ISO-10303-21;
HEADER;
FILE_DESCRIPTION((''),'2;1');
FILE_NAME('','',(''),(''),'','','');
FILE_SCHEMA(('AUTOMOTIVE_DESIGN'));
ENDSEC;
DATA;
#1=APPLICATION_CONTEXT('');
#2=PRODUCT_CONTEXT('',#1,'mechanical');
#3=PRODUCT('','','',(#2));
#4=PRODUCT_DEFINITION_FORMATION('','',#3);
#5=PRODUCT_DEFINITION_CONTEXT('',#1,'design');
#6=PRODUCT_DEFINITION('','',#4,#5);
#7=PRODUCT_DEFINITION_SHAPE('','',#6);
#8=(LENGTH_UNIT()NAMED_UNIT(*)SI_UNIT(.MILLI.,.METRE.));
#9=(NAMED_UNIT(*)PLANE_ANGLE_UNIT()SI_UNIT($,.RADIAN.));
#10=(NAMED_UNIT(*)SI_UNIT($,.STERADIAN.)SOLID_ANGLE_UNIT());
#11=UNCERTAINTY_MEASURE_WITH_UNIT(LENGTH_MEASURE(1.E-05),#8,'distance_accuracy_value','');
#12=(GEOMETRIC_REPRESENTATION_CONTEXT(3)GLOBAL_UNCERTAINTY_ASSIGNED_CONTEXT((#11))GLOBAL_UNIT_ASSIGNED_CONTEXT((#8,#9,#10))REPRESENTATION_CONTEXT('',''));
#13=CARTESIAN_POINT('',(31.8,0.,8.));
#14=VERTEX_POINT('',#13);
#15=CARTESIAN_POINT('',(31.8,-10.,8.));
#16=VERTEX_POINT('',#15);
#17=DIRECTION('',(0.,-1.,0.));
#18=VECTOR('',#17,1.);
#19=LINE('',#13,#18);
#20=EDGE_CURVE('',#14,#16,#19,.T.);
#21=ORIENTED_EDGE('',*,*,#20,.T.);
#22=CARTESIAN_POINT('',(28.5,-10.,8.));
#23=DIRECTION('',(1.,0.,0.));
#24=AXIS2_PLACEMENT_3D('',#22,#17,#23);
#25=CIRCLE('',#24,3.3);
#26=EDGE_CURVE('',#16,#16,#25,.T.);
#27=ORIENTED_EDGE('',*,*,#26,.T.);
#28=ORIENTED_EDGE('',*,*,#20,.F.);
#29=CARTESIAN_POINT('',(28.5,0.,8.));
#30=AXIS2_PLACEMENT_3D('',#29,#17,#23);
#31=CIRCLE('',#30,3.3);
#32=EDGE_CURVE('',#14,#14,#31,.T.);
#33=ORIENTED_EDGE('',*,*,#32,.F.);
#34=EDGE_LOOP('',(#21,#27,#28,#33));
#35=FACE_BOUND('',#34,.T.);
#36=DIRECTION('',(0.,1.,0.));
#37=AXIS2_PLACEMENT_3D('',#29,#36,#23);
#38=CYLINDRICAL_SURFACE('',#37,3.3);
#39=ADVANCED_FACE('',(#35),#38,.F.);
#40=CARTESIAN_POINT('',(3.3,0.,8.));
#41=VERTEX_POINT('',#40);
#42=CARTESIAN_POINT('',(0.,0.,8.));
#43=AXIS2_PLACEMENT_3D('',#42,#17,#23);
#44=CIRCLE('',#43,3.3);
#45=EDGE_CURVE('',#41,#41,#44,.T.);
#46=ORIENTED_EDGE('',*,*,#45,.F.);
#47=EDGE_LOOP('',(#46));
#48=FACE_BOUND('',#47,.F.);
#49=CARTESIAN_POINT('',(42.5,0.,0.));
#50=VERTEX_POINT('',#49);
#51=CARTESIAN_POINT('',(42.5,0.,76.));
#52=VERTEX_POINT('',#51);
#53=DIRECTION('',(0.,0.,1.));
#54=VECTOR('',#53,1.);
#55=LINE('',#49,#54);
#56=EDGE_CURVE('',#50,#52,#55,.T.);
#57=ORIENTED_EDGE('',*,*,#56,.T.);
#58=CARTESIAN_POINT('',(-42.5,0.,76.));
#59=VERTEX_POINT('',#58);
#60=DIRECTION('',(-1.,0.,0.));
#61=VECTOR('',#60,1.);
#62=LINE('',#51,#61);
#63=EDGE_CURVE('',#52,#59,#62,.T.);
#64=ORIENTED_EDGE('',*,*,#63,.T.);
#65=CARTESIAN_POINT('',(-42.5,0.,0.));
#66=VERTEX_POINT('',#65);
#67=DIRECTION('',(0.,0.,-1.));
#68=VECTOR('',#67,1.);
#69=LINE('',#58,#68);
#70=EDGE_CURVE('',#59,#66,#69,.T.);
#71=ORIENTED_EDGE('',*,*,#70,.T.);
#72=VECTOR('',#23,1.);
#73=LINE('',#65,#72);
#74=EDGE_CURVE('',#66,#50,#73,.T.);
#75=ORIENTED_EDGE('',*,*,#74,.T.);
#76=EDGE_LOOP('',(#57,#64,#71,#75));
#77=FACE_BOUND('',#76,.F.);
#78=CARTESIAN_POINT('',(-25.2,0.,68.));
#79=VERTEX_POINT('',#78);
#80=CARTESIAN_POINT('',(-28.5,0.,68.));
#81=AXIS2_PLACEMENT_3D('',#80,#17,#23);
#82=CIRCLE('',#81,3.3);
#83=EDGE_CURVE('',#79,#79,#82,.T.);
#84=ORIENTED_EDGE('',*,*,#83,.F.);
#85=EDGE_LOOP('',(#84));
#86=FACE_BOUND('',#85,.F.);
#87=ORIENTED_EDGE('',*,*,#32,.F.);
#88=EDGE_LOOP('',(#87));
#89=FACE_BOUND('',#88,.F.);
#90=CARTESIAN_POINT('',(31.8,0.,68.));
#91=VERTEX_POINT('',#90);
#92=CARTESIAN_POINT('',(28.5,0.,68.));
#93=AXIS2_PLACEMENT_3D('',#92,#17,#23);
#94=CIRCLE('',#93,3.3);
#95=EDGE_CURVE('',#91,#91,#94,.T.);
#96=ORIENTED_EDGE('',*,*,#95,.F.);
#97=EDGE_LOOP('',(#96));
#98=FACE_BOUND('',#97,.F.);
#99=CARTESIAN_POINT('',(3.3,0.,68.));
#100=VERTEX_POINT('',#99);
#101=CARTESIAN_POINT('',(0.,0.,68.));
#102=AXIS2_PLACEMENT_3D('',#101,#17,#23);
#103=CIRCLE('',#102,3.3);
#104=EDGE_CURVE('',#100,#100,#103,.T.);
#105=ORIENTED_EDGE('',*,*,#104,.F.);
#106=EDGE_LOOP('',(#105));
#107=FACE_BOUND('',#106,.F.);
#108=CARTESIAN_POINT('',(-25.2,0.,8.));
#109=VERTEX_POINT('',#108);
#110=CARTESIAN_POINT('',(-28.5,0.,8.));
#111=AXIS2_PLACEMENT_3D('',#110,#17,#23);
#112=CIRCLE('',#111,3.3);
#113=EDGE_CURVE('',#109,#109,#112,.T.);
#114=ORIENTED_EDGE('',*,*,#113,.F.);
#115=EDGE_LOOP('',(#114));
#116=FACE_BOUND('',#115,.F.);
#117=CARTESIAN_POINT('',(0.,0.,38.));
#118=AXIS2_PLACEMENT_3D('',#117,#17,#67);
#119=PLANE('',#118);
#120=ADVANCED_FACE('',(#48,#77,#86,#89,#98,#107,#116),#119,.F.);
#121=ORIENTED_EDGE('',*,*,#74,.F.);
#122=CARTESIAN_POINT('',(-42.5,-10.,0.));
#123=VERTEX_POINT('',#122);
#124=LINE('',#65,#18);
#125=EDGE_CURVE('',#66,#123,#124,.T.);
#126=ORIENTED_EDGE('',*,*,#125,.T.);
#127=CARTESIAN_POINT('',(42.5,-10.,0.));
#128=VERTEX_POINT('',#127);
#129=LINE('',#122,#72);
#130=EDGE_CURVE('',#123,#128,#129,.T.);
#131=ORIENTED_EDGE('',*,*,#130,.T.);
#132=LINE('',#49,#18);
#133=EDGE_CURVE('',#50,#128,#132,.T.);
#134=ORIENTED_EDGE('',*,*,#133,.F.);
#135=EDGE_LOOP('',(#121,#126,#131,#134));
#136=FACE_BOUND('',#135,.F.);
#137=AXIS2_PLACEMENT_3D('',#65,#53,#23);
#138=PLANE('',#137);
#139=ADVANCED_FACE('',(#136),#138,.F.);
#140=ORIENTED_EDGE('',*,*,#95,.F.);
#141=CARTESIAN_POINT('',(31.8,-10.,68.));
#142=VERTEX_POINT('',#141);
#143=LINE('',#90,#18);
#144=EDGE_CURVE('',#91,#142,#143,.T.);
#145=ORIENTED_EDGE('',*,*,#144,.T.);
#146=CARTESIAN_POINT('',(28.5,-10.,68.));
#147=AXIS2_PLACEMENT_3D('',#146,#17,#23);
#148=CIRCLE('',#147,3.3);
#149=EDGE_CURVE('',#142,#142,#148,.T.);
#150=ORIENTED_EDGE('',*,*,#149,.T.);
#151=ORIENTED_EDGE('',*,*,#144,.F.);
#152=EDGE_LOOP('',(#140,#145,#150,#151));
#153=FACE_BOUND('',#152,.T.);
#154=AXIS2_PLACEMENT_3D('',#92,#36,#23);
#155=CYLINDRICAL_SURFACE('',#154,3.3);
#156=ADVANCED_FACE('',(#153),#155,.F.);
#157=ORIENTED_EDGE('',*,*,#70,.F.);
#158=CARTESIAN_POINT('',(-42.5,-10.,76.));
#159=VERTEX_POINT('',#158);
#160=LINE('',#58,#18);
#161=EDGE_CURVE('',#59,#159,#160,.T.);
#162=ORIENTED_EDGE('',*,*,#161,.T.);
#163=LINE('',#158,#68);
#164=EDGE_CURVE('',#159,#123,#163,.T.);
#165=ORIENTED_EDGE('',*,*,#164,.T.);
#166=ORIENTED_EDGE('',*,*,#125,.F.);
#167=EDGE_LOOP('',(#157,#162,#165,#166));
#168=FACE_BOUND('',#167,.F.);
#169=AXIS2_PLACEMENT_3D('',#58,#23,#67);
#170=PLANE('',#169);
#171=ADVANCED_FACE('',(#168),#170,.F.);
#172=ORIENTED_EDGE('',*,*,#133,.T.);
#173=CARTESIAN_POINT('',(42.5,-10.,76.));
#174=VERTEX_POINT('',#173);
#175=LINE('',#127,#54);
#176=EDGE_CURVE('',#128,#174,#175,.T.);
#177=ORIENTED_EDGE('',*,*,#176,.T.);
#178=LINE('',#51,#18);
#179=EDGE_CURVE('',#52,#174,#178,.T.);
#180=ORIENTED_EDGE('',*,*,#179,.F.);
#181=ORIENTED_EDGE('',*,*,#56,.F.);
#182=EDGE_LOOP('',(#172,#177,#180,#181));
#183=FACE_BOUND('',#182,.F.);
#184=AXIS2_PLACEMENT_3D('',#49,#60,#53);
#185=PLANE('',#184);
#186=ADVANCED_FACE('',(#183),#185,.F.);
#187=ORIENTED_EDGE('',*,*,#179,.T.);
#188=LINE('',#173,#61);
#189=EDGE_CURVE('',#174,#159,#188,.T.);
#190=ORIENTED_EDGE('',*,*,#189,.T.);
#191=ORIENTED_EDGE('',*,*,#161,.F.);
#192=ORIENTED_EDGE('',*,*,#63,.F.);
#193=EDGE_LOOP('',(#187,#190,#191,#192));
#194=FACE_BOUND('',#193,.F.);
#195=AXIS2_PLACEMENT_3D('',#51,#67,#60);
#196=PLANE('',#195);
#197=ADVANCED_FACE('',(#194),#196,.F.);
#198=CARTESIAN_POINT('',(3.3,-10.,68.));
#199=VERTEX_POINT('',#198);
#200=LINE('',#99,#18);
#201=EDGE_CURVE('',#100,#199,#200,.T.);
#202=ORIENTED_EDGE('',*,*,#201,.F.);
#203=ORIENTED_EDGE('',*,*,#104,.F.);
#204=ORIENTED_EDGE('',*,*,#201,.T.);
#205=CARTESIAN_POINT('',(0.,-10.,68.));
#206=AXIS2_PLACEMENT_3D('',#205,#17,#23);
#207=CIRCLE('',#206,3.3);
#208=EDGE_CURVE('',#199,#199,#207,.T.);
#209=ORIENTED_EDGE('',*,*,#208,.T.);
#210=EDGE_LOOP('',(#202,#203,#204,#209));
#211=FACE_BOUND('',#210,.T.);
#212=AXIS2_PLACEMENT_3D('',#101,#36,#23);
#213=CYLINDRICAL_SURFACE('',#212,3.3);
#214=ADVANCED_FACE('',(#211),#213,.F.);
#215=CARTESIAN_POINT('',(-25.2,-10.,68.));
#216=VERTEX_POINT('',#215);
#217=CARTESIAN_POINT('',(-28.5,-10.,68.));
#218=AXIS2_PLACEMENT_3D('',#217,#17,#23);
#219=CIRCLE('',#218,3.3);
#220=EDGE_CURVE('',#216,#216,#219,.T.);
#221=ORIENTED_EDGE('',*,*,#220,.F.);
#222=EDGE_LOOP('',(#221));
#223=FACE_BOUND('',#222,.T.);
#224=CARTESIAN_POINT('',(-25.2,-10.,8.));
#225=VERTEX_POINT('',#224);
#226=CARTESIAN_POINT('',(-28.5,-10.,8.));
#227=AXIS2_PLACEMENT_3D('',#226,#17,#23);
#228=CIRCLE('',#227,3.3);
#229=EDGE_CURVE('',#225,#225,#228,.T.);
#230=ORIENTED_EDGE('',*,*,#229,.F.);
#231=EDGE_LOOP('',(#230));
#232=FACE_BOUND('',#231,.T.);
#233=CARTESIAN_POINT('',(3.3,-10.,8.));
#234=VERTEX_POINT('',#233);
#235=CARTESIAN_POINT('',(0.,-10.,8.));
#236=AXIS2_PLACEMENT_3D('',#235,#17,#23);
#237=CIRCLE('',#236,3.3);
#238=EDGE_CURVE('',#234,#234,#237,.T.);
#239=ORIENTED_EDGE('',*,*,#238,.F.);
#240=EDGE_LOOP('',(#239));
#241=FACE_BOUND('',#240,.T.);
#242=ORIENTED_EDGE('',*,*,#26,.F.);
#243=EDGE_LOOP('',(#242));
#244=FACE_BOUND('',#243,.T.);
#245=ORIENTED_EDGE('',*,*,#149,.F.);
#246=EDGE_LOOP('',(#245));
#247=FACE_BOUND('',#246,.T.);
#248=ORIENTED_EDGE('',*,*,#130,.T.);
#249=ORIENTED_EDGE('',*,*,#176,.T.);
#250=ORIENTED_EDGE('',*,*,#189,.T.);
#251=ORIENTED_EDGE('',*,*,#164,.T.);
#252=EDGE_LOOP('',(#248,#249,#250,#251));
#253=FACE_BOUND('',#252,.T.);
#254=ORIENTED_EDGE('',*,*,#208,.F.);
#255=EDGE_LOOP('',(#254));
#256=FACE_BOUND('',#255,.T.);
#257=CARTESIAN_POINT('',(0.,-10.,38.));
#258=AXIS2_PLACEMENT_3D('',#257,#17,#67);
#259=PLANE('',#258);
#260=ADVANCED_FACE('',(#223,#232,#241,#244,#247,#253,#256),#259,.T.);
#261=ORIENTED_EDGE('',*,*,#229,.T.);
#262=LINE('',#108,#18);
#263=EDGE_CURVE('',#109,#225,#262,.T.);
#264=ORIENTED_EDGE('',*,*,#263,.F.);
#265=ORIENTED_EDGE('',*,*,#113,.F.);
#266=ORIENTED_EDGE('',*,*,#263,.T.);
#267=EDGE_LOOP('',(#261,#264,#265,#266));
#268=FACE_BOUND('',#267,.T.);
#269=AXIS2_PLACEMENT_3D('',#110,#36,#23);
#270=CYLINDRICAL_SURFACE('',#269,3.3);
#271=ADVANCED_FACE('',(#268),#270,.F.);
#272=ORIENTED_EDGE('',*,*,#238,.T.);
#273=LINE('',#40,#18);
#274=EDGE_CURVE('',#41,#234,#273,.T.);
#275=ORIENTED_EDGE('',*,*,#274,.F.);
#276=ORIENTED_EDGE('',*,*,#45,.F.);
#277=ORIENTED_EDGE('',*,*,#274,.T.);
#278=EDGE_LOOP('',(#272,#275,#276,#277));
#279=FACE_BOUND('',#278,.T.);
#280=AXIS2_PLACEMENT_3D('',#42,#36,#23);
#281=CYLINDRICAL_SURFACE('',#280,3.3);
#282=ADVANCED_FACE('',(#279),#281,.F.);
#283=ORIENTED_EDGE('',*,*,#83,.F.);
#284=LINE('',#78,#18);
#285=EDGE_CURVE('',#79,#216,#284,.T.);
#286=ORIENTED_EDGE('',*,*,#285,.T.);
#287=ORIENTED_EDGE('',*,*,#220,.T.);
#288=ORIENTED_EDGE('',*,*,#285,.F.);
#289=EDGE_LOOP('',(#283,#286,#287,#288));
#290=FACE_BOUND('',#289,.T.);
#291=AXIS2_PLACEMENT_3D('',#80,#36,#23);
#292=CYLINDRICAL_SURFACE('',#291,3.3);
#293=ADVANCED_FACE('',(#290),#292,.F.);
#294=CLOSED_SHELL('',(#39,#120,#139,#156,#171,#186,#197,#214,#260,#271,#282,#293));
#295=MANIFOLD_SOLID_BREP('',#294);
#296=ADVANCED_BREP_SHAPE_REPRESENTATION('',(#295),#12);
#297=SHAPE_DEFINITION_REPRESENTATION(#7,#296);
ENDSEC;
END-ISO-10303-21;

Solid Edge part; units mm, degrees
sketch "Sketch1" plane through (0, 0, 0) normal (0, -1, 0) x (1, 0, 0)
  line L0 (-42.5, 0) -> (42.5, 0)
  line L1 (42.5, 0) -> (42.5, 76)
  line L2 (42.5, 76) -> (-42.5, 76)
  line L3 (-42.5, 76) -> (-42.5, 0)
  circle A0 centre (28.5, 68) radius 3.3
  circle A1 centre (0, 68) radius 3.3
  circle A2 centre (-28.5, 68) radius 3.3
  circle A3 centre (28.5, 8) radius 3.3
  circle A4 centre (0, 8) radius 3.3
  circle A5 centre (-28.5, 8) radius 3.3
  dimension "D1" = 85
  dimension "D2" = 14
  dimension "D3" = 6.6
  dimension "D4" = 8
  dimension "D5" = 60
extrude "Protrusion1" add sketch "Sketch1" along normal blind 10
